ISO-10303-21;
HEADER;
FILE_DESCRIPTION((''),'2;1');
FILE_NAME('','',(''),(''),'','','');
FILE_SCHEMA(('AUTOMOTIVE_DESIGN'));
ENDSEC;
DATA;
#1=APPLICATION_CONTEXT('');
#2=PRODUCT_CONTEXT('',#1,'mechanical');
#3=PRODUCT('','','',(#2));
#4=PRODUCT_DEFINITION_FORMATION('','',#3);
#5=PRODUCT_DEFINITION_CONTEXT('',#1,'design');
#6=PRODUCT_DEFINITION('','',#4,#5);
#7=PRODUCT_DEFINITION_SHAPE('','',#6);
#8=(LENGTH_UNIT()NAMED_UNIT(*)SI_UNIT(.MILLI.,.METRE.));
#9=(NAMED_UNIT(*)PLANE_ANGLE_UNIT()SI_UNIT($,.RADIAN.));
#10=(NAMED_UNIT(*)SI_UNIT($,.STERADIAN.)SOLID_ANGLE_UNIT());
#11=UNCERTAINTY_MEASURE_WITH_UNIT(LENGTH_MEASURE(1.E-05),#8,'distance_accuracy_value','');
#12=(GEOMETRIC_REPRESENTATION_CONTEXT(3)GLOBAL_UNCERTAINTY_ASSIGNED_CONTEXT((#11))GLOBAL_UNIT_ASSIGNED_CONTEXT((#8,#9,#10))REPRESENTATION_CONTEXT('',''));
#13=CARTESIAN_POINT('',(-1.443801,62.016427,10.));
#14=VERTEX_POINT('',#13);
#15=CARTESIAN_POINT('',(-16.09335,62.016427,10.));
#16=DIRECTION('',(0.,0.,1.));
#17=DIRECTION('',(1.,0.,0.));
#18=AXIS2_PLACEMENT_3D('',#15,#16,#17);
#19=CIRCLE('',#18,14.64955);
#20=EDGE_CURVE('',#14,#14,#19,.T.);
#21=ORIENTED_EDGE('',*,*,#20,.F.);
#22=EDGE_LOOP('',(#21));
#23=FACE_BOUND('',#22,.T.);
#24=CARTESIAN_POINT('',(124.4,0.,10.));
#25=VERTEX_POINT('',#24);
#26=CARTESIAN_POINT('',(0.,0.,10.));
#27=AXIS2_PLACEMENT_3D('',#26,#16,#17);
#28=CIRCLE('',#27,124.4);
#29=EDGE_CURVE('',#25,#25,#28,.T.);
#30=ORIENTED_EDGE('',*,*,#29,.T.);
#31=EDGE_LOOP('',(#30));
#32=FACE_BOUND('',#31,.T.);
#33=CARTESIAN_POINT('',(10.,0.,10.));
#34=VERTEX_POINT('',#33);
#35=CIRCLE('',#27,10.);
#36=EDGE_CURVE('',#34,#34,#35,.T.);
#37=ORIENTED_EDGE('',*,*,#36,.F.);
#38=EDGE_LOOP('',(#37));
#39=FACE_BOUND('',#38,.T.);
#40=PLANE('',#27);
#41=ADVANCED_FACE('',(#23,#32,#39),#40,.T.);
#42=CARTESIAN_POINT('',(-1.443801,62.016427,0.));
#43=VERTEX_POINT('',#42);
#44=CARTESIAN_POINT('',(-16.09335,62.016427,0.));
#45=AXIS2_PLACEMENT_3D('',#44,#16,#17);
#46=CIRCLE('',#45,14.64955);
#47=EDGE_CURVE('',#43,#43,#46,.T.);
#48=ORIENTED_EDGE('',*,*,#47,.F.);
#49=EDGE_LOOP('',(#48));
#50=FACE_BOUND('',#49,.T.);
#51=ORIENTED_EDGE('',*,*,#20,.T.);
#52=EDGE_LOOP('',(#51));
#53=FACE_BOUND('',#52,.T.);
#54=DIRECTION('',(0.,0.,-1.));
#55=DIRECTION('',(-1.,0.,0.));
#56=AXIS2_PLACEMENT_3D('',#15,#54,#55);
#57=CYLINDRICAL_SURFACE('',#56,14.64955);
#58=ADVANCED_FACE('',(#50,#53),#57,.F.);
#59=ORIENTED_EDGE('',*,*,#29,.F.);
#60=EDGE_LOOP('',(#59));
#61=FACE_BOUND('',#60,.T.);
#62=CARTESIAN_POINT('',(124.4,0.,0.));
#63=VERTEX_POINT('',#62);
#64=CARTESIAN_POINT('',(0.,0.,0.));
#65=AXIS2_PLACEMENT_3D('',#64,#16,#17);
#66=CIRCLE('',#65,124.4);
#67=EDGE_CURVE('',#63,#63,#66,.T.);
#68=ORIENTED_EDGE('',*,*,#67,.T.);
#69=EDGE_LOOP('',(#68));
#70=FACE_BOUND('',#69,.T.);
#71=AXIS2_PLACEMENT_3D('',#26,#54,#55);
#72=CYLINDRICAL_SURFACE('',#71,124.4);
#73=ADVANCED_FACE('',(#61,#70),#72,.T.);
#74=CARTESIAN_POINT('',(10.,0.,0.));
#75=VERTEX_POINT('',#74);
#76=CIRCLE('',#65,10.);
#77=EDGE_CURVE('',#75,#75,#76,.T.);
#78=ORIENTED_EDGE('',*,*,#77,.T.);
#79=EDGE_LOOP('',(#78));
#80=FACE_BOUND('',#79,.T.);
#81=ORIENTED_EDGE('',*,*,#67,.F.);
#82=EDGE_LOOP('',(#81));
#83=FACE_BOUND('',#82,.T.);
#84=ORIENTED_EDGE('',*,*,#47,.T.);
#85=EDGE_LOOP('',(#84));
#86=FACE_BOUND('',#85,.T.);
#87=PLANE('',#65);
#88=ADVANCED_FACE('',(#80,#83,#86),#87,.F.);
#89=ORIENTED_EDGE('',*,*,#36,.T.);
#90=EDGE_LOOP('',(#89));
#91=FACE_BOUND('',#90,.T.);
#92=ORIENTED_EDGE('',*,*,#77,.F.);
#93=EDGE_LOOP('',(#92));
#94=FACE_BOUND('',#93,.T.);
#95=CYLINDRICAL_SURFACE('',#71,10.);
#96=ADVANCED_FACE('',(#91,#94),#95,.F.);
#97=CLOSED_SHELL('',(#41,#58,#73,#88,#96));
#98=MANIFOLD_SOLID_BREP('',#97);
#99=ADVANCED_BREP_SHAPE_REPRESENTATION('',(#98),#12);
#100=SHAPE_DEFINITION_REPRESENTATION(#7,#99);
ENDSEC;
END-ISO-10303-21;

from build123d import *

# Parameters (mm, degrees)
SKETCH_1_R      = 124.4
SKETCH_1_R_2    = 14.649549738
SKETCH_1_R_3    = 10
EXTRUDE_1_DEPTH = 10


with BuildPart() as part:
    # ｽｹｯﾁ1 → ﾎﾞｽ - 押し出し1 (new body)
    with BuildSketch(Plane.XY):
        Circle(SKETCH_1_R)
        with Locations((-16.093350468, 62.016427225)):
            Circle(SKETCH_1_R_2, mode=Mode.SUBTRACT)
        Circle(SKETCH_1_R_3, mode=Mode.SUBTRACT)
    extrude(amount=EXTRUDE_1_DEPTH)


solid = part.part
